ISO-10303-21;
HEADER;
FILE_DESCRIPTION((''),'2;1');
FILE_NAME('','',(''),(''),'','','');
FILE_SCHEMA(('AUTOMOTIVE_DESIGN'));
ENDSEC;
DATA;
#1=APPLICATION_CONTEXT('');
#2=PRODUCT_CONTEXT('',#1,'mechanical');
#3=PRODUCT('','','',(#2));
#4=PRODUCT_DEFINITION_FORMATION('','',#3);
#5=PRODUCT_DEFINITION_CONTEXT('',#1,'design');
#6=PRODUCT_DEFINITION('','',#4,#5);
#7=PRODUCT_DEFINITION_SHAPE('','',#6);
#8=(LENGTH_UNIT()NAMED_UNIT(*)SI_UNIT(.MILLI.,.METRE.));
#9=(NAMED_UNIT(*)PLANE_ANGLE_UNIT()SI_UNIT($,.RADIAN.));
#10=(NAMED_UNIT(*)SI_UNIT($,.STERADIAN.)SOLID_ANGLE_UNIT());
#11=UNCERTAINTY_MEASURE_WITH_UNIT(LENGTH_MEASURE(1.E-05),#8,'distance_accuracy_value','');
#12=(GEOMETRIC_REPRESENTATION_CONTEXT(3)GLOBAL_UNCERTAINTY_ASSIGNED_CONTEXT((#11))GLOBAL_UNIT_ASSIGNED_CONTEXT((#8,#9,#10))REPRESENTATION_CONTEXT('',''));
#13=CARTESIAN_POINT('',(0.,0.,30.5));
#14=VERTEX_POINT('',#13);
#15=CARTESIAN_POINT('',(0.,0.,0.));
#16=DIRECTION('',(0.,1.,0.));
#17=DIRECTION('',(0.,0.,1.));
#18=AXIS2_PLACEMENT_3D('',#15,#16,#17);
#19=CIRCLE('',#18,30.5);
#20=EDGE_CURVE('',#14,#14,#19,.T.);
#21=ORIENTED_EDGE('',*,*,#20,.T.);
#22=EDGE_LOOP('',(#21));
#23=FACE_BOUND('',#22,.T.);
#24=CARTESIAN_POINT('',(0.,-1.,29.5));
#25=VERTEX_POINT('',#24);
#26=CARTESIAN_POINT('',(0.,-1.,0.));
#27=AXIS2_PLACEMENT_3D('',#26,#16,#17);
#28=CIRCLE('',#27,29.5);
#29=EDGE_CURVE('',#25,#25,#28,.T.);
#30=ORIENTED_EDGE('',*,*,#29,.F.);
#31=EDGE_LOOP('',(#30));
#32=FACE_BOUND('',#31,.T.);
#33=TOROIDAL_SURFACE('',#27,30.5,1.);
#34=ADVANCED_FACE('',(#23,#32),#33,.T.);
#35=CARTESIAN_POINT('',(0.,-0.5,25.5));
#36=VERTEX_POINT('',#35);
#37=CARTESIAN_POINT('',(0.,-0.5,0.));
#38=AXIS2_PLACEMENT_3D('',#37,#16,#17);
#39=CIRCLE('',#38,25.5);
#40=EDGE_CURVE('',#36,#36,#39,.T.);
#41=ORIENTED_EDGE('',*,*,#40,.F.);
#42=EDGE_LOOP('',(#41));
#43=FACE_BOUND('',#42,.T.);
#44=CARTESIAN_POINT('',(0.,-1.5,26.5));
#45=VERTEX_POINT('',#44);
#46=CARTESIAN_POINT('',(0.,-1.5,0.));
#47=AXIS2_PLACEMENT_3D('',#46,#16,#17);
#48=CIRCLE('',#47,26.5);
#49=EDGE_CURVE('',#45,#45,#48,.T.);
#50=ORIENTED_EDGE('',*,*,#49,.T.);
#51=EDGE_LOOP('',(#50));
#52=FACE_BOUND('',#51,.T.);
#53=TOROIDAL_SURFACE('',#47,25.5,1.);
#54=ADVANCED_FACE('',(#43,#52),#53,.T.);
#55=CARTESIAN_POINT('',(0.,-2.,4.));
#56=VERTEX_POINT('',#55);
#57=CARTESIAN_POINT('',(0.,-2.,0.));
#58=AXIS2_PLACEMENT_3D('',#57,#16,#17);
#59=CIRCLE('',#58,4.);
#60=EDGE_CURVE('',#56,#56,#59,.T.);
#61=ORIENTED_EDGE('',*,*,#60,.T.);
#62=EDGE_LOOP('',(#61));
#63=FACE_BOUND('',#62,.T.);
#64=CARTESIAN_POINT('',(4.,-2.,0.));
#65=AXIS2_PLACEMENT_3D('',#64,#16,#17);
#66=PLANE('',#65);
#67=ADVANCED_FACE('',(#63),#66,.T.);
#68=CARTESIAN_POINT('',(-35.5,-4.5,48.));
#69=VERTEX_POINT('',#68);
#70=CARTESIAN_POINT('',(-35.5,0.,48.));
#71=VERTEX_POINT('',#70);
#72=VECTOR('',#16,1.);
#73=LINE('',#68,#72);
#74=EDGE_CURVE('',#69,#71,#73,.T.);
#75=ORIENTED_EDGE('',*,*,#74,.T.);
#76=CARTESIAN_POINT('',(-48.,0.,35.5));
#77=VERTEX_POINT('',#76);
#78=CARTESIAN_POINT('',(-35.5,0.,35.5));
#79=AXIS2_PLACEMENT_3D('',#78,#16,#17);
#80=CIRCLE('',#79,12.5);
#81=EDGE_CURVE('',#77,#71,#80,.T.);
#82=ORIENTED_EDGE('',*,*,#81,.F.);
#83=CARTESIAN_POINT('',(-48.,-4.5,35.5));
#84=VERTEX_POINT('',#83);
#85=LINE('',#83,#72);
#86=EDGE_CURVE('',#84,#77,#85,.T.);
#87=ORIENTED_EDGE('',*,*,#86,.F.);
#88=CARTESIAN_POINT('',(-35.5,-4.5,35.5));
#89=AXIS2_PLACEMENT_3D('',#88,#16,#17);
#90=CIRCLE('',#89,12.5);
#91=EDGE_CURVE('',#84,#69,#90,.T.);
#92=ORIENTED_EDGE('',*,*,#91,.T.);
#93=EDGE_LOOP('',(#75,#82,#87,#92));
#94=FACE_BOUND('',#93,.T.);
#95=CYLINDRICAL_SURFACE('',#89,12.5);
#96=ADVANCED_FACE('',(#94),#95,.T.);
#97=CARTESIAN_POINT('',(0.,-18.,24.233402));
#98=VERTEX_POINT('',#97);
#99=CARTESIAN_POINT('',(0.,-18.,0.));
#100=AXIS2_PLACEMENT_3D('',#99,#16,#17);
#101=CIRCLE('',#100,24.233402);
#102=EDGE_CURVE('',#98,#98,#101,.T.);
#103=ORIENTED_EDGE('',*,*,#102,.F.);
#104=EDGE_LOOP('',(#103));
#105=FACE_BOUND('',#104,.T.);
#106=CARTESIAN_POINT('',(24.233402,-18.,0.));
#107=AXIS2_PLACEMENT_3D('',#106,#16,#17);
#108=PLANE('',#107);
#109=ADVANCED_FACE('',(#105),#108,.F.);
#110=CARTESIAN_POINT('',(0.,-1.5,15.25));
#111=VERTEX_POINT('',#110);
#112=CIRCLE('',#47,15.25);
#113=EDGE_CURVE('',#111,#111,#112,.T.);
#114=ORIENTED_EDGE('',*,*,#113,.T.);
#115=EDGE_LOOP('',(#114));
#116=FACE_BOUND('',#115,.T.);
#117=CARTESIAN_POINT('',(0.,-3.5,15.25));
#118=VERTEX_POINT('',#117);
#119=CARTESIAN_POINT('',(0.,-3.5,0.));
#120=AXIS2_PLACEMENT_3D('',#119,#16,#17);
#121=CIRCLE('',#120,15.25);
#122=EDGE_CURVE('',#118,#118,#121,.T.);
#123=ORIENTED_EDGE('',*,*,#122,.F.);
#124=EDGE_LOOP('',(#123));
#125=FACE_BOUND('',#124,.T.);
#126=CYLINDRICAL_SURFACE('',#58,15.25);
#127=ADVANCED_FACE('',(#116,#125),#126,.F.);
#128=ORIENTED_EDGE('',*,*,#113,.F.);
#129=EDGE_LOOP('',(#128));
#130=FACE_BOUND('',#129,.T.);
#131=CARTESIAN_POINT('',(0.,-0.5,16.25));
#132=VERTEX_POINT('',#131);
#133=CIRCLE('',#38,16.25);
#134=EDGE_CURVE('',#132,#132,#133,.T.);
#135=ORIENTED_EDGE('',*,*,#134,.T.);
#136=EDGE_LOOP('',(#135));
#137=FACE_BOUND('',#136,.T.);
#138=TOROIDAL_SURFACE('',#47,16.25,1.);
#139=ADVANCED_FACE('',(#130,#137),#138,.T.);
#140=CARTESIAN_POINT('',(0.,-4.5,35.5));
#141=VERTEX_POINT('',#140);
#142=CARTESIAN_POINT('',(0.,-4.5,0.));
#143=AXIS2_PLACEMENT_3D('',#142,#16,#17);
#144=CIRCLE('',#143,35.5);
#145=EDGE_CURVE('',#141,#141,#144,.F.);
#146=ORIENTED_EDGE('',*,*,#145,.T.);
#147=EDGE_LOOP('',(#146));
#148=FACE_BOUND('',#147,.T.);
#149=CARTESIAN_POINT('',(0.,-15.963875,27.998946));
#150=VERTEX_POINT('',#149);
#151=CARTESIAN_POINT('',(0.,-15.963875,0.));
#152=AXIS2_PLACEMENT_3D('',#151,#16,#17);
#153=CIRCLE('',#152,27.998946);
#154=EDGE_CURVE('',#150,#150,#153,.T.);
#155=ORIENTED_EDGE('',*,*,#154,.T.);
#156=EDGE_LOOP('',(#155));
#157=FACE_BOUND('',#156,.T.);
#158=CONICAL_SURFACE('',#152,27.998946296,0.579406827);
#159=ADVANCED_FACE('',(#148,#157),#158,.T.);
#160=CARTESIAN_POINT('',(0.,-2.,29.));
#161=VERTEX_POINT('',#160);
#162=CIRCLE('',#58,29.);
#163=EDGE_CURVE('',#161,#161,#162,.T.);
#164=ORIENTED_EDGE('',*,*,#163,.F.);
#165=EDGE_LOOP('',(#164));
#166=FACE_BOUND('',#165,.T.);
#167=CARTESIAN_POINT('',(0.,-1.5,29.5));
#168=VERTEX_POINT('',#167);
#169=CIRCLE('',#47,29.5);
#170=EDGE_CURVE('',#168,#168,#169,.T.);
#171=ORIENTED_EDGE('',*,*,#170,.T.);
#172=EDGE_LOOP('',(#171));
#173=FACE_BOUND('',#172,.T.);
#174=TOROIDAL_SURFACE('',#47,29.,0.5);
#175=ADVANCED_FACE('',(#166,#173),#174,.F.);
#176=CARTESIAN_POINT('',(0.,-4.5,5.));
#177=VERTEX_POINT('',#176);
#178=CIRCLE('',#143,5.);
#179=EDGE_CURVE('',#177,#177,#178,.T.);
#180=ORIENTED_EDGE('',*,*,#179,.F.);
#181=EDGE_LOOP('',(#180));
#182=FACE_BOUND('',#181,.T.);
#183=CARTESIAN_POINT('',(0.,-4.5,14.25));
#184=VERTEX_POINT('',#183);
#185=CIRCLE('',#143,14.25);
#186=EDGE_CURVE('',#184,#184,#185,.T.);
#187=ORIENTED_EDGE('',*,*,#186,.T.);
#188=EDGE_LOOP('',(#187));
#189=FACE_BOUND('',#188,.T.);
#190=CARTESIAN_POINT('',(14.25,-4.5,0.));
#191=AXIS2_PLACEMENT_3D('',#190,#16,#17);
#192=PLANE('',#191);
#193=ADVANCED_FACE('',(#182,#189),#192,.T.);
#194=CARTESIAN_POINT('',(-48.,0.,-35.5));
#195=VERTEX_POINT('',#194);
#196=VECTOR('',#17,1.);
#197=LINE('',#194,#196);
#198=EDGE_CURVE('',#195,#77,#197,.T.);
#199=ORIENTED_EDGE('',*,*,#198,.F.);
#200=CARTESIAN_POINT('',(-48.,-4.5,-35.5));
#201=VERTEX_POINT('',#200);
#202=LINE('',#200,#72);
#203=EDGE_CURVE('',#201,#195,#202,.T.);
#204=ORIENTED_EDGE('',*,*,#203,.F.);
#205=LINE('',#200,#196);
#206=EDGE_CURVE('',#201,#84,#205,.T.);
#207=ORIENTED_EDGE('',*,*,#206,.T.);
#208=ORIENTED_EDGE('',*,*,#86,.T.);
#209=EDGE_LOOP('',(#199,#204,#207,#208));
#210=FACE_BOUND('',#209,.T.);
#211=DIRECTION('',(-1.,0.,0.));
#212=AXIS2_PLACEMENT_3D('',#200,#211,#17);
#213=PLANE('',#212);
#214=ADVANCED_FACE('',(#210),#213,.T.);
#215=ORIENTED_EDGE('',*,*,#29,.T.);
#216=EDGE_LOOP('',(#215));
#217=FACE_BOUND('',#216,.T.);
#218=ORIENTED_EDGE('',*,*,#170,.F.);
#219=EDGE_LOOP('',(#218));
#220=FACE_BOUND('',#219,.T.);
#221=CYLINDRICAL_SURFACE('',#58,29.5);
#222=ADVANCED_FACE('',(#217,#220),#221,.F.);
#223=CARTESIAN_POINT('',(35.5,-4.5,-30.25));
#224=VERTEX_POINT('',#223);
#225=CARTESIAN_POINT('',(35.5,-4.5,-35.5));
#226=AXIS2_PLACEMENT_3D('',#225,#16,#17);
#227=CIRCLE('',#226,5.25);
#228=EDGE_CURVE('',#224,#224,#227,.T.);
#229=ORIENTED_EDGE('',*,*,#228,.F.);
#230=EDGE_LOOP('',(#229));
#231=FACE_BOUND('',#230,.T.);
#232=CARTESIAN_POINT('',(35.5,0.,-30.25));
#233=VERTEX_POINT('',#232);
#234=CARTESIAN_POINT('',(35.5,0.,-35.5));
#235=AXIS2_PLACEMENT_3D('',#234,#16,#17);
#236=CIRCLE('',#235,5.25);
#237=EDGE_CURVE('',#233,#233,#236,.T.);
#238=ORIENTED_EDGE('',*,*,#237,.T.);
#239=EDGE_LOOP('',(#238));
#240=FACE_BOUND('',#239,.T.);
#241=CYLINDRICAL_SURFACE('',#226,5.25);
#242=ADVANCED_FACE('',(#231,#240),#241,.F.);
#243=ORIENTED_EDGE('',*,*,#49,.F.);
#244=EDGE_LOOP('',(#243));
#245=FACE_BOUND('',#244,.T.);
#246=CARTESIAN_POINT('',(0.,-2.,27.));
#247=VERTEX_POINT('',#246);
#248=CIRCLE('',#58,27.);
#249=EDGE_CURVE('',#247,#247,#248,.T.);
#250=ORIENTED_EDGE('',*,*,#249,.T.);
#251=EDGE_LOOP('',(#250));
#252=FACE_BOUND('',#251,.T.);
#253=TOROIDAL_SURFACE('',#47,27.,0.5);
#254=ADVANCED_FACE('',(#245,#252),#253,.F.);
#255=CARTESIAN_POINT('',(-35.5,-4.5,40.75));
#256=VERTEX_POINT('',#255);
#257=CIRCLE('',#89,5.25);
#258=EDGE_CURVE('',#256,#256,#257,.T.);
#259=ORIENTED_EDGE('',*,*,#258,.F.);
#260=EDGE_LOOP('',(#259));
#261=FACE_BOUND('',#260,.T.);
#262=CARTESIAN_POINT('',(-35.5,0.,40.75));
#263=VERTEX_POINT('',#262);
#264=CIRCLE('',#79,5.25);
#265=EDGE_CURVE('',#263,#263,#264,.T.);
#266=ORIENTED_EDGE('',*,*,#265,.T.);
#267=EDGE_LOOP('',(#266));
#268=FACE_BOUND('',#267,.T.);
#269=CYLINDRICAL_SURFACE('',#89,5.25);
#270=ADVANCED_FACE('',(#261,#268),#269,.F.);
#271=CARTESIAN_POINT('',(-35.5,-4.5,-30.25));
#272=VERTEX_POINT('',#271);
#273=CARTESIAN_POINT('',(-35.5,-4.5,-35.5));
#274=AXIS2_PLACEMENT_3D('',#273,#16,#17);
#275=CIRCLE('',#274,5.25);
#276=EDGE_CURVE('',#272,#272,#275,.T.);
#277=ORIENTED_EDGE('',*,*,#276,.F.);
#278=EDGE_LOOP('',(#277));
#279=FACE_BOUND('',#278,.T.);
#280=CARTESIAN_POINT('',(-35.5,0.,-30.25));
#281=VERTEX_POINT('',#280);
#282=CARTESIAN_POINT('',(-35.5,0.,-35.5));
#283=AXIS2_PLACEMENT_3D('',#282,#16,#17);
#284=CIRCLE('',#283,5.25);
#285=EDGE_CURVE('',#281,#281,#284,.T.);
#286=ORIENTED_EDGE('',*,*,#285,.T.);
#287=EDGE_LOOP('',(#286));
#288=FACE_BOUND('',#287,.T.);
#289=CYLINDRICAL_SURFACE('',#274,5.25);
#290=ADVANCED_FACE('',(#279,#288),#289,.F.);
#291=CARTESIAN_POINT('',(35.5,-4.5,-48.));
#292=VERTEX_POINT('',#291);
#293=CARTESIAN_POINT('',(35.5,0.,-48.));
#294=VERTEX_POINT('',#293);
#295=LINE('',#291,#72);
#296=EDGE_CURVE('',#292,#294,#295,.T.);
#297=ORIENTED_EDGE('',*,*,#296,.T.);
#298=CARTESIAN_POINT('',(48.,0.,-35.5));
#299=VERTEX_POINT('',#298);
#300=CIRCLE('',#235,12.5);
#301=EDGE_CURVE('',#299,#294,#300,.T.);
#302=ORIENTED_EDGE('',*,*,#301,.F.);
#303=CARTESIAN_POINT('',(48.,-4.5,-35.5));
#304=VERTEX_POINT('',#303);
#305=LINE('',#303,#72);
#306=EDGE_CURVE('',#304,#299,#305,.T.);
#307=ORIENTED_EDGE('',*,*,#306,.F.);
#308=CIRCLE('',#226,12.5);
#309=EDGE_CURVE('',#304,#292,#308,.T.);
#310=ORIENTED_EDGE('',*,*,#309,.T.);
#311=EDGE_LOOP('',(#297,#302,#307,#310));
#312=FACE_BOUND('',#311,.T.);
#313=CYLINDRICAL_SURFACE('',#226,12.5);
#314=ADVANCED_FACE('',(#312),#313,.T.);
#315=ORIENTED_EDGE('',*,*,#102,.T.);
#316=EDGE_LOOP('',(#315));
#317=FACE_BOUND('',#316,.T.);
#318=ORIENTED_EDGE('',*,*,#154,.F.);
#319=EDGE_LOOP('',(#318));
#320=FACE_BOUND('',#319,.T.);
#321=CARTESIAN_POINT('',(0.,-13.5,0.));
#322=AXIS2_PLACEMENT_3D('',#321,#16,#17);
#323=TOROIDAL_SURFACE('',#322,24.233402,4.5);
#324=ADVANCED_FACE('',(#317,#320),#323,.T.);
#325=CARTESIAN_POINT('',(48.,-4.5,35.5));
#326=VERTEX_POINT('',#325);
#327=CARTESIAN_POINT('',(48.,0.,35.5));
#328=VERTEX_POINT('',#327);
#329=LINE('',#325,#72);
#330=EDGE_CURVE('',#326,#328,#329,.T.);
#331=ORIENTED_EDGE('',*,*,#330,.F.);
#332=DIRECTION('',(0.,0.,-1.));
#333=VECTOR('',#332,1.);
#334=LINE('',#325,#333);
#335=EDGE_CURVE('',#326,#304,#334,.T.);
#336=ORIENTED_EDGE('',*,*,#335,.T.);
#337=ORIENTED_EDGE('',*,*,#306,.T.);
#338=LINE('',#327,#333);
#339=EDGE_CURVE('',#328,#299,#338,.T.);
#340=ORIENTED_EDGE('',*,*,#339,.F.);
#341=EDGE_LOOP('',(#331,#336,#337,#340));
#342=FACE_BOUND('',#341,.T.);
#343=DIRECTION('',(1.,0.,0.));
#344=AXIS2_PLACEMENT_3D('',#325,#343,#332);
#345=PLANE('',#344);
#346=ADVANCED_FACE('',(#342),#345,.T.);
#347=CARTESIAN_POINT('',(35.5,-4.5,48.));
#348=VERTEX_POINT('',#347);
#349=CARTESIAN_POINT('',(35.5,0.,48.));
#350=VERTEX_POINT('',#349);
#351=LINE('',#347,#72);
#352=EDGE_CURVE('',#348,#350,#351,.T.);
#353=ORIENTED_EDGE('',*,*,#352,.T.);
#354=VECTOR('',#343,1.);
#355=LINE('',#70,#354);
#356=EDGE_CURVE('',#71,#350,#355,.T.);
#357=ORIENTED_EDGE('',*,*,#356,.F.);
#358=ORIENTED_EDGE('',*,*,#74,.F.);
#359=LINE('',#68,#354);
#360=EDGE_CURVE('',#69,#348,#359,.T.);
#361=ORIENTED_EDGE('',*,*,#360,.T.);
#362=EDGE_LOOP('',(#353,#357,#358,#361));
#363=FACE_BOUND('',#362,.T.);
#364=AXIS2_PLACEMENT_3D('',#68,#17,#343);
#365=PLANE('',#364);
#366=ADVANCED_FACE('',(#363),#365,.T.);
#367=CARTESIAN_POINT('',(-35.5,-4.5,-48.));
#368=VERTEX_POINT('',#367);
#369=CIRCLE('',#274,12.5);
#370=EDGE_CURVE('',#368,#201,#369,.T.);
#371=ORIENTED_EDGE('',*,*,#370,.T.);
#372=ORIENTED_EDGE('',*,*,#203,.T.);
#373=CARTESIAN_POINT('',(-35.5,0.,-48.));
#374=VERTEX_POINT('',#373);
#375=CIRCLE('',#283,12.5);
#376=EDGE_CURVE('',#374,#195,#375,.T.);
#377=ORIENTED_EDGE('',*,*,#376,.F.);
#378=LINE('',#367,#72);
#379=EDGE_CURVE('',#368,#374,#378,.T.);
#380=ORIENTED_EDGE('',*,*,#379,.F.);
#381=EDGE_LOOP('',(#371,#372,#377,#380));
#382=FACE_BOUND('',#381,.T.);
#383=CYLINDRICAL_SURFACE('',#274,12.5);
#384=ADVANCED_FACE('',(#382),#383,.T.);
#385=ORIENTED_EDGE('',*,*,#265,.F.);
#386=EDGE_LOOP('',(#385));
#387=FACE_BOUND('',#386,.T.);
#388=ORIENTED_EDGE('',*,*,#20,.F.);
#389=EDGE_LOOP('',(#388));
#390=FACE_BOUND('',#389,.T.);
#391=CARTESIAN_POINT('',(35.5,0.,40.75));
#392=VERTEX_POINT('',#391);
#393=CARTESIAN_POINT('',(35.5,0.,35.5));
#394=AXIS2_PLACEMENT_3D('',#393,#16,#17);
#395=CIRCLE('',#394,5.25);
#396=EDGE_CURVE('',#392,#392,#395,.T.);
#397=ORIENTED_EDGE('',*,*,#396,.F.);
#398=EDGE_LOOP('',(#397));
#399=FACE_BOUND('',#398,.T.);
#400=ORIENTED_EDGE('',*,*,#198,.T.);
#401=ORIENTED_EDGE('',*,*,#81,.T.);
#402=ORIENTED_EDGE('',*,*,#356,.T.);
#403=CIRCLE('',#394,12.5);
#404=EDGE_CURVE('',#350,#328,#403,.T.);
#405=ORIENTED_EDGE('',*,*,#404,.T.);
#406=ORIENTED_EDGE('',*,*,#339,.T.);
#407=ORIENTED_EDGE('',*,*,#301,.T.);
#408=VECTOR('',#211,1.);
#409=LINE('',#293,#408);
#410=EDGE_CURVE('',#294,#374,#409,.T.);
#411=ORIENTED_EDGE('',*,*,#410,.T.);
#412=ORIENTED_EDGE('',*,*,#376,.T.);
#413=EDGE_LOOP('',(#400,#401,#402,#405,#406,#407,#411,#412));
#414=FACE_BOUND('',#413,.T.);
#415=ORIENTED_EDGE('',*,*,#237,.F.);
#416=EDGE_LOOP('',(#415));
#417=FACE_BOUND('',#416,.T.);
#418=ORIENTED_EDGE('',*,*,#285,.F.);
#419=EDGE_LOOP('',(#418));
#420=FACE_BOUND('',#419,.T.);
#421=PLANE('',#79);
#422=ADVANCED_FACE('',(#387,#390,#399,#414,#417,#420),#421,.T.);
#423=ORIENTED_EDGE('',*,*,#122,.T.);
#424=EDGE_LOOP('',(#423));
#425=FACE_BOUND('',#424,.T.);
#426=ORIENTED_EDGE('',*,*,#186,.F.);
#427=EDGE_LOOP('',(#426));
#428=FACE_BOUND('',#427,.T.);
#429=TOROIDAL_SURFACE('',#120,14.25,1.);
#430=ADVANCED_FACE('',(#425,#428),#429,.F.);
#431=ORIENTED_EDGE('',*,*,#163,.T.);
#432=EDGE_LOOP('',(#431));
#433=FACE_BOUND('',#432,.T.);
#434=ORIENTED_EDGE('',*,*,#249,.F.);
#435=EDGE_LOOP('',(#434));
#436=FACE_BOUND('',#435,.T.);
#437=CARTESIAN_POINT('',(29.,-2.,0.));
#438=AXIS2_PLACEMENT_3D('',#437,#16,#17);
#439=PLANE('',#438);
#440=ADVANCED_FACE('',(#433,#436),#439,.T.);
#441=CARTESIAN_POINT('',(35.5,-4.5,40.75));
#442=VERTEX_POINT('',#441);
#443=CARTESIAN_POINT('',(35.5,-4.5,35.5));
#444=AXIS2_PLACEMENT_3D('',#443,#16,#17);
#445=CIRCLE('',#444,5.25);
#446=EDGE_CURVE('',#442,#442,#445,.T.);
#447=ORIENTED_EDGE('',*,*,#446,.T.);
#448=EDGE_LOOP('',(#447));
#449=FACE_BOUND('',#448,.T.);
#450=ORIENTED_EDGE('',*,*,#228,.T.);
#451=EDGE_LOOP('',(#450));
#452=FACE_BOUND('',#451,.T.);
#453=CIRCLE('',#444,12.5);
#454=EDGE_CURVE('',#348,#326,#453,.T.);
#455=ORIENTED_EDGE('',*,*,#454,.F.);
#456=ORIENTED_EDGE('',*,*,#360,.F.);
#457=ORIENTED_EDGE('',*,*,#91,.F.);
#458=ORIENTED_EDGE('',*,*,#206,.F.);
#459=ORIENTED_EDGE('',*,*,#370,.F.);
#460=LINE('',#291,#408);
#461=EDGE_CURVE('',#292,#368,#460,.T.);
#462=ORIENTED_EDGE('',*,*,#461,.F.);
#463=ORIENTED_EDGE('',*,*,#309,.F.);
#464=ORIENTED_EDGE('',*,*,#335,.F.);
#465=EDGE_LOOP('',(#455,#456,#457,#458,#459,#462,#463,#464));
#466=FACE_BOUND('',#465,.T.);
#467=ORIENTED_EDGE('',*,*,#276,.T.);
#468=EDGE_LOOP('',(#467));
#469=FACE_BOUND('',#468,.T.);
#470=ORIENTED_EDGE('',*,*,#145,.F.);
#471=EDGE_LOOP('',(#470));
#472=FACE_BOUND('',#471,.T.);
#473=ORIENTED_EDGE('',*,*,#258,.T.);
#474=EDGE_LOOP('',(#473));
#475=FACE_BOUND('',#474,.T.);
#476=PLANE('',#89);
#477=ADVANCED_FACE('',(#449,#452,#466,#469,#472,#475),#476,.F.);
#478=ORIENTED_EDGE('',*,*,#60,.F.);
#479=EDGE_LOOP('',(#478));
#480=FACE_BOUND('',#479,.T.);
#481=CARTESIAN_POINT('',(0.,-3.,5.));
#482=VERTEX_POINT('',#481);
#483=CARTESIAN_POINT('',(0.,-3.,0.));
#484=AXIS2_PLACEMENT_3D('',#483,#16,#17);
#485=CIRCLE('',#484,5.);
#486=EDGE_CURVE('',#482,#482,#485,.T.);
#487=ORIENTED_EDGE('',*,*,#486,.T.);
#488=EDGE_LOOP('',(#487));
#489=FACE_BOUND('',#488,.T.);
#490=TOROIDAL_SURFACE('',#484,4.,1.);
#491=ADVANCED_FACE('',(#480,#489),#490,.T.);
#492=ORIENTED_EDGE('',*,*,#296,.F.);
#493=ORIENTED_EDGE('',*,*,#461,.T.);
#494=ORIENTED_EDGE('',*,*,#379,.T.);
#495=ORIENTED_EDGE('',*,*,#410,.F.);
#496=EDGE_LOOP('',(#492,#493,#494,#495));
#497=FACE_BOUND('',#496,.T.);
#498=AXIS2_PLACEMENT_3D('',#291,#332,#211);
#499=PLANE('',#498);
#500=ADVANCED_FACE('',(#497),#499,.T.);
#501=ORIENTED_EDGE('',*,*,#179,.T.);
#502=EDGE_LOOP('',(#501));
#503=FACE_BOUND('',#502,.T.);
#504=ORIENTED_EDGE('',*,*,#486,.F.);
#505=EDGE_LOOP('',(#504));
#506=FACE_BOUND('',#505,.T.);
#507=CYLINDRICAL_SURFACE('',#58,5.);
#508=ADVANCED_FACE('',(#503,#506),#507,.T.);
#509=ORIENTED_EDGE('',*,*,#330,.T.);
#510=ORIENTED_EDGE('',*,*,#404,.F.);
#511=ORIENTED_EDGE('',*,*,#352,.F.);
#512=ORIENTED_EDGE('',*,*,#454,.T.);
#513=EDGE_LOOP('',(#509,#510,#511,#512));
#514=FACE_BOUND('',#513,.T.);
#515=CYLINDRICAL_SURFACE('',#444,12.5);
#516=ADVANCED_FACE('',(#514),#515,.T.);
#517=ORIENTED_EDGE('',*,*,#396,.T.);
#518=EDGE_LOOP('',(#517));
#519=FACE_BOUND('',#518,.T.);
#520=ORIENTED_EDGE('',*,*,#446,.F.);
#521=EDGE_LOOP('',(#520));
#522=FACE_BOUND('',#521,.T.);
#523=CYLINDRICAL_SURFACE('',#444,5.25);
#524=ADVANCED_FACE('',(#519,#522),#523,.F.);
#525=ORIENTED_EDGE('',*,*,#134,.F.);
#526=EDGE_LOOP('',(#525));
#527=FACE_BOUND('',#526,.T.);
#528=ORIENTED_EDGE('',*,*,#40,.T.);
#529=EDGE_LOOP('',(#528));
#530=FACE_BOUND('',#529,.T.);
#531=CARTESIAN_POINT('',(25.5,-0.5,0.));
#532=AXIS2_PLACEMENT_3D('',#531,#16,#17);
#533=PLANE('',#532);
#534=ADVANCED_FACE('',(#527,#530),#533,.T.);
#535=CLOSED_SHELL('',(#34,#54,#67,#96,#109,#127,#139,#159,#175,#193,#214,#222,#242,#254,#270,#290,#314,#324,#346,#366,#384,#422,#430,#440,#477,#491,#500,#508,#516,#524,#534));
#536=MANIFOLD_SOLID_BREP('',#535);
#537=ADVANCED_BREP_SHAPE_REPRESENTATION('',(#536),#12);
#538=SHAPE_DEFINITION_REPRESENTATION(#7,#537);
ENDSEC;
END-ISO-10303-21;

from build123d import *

# Parameters (mm, degrees)
SKETCH_1_R      = 5.25
EXTRUDE_1_DEPTH = 4.5


with BuildPart() as part:
    # 草图1 → 凸台-拉伸1 (new body)
    with BuildSketch(Plane(origin=(0, 0, 0), x_dir=(1, 0, 0), z_dir=(0, 1, 0))):
        with BuildLine():
            Line((-35.5, -48), (35.5, -48))
            ThreePointArc((35.5, -48), (44.338834765, -44.338834765), (48, -35.5))
            Line((48, -35.5), (48, 35.5))
            ThreePointArc((48, 35.5), (44.338834765, 44.338834765), (35.5, 48))
            Line((35.5, 48), (-35.5, 48))
            ThreePointArc((-35.5, 48), (-44.338834765, 44.338834765), (-48, 35.5))
            Line((-48, 35.5), (-48, -35.5))
            ThreePointArc((-48, -35.5), (-44.338834765, -44.338834765), (-35.5, -48))
        make_face()
        with Locations(Location((35.5, -35.5, 0), (0, 0, 270))):
            Circle(SKETCH_1_R, mode=Mode.SUBTRACT)
        with Locations(Location((35.5, 35.5, 0), (0, 0, 270))):
            Circle(SKETCH_1_R, mode=Mode.SUBTRACT)
        with Locations(Location((-35.5, -35.5, 0), (0, 0, 270))):
            Circle(SKETCH_1_R, mode=Mode.SUBTRACT)
        with Locations(Location((-35.5, 35.5, 0), (0, 0, 270))):
            Circle(SKETCH_1_R, mode=Mode.SUBTRACT)
    extrude(amount=-EXTRUDE_1_DEPTH)

    # 草图2 → 旋转1 (revolve)
    with BuildSketch(Plane.XY, mode=Mode.PRIVATE) as revolve_1_sk:
        with BuildLine():
            Line((0, -4.5), (35.5, -4.5))
            Line((35.5, -4.5), (27.998946296, -15.963874529))
            ThreePointArc((27.998946296, -15.963874529), (26.373795231, -17.458373112), (24.233402204, -18))
            Line((24.233402204, -18), (0, -18))
            Line((0, -18), (0, -4.5))
        make_face()
    revolve(revolve_1_sk.sketch.rotate(Axis((0, -18, 0), (0, 1, 0)), 270), axis=Axis((0, -18, 0), (0, 1, 0)))

    # 草图3 → 切除-旋转1 (revolve, cut)
    with BuildSketch(Plane.XY, mode=Mode.PRIVATE) as cut_revolve_1_sk:
        with BuildLine():
            Line((0, 0), (30.5, 0))
            ThreePointArc((30.5, 0), (29.792893219, -0.292893219), (29.5, -1))
            Line((29.5, -1), (29.5, -1.5))
            ThreePointArc((29.5, -1.5), (29.353553391, -1.853553391), (29, -2))
            Line((29, -2), (27, -2))
            ThreePointArc((27, -2), (26.646446609, -1.853553391), (26.5, -1.5))
            ThreePointArc((26.5, -1.5), (26.207106781, -0.792893219), (25.5, -0.5))
            Line((25.5, -0.5), (16.25, -0.5))
            ThreePointArc((16.25, -0.5), (15.542893219, -0.792893219), (15.25, -1.5))
            Line((15.25, -1.5), (15.25, -3.5))
            ThreePointArc((15.25, -3.5), (14.957106781, -4.207106781), (14.25, -4.5))
            Line((14.25, -4.5), (5, -4.5))
            Line((5, -4.5), (5, -3))
            ThreePointArc((5, -3), (4.707106781, -2.292893219), (4, -2))
            Line((4, -2), (0, -2))
            Line((0, -2), (0, 0))
        make_face()
    revolve(cut_revolve_1_sk.sketch.rotate(Axis((0, -2, 0), (0, 1, 0)), 270), axis=Axis((0, -2, 0), (0, 1, 0)), mode=Mode.SUBTRACT)


solid = part.part
